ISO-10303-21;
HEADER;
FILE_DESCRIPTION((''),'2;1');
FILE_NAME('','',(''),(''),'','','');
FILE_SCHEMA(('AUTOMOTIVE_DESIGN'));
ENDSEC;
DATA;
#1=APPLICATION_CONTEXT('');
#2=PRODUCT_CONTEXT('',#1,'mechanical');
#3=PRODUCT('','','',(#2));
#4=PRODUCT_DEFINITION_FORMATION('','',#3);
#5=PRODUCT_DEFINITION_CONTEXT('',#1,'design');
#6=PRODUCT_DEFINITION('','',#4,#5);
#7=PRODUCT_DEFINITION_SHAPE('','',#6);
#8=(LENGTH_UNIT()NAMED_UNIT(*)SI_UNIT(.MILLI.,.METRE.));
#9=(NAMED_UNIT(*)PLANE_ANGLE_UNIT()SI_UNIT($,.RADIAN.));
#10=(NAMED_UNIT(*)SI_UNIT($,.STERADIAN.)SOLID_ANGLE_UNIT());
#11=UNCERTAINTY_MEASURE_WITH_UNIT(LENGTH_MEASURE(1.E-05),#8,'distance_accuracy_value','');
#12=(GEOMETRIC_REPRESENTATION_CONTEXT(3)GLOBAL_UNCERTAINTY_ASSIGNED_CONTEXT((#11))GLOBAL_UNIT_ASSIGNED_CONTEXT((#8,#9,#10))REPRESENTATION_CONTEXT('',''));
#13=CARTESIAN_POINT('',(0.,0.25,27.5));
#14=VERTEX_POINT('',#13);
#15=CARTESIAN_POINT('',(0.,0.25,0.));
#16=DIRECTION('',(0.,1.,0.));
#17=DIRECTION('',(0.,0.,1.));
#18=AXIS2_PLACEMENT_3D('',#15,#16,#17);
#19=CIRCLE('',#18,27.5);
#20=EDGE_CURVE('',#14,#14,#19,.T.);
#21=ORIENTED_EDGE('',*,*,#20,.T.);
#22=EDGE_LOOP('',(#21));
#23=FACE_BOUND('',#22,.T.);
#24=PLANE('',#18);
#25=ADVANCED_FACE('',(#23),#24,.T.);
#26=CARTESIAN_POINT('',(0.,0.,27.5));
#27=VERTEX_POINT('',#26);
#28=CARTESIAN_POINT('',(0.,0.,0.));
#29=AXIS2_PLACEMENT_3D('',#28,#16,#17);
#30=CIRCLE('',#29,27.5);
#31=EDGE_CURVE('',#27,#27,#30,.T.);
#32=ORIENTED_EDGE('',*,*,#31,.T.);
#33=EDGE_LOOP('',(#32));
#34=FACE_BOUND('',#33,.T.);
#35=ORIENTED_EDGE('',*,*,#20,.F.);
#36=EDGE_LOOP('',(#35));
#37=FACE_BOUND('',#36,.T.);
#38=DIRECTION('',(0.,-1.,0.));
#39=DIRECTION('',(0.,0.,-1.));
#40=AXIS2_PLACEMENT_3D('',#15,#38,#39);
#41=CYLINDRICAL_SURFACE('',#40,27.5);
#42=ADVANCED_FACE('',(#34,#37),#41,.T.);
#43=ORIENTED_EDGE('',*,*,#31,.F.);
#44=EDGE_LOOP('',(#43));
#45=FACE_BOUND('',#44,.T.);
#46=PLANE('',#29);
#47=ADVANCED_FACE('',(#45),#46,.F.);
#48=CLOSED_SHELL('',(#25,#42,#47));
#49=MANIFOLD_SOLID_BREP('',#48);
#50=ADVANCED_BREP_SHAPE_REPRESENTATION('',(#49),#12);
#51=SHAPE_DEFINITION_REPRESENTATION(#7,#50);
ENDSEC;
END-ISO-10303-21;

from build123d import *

# Parameters (mm, degrees)
SKETCH1_R           = 27.5
BOSS_EXTRUDE1_DEPTH = 0.25


with BuildPart() as part:
    # Sketch1 → Boss-Extrude1 (new body)
    with BuildSketch(Plane(origin=(0, 0, 0), x_dir=(1, 0, 0), z_dir=(0, 1, 0))):
        with Locations(Location((0, 0, 0), (0, 0, 270))):
            Circle(SKETCH1_R)
    extrude(amount=BOSS_EXTRUDE1_DEPTH)


solid = part.part
